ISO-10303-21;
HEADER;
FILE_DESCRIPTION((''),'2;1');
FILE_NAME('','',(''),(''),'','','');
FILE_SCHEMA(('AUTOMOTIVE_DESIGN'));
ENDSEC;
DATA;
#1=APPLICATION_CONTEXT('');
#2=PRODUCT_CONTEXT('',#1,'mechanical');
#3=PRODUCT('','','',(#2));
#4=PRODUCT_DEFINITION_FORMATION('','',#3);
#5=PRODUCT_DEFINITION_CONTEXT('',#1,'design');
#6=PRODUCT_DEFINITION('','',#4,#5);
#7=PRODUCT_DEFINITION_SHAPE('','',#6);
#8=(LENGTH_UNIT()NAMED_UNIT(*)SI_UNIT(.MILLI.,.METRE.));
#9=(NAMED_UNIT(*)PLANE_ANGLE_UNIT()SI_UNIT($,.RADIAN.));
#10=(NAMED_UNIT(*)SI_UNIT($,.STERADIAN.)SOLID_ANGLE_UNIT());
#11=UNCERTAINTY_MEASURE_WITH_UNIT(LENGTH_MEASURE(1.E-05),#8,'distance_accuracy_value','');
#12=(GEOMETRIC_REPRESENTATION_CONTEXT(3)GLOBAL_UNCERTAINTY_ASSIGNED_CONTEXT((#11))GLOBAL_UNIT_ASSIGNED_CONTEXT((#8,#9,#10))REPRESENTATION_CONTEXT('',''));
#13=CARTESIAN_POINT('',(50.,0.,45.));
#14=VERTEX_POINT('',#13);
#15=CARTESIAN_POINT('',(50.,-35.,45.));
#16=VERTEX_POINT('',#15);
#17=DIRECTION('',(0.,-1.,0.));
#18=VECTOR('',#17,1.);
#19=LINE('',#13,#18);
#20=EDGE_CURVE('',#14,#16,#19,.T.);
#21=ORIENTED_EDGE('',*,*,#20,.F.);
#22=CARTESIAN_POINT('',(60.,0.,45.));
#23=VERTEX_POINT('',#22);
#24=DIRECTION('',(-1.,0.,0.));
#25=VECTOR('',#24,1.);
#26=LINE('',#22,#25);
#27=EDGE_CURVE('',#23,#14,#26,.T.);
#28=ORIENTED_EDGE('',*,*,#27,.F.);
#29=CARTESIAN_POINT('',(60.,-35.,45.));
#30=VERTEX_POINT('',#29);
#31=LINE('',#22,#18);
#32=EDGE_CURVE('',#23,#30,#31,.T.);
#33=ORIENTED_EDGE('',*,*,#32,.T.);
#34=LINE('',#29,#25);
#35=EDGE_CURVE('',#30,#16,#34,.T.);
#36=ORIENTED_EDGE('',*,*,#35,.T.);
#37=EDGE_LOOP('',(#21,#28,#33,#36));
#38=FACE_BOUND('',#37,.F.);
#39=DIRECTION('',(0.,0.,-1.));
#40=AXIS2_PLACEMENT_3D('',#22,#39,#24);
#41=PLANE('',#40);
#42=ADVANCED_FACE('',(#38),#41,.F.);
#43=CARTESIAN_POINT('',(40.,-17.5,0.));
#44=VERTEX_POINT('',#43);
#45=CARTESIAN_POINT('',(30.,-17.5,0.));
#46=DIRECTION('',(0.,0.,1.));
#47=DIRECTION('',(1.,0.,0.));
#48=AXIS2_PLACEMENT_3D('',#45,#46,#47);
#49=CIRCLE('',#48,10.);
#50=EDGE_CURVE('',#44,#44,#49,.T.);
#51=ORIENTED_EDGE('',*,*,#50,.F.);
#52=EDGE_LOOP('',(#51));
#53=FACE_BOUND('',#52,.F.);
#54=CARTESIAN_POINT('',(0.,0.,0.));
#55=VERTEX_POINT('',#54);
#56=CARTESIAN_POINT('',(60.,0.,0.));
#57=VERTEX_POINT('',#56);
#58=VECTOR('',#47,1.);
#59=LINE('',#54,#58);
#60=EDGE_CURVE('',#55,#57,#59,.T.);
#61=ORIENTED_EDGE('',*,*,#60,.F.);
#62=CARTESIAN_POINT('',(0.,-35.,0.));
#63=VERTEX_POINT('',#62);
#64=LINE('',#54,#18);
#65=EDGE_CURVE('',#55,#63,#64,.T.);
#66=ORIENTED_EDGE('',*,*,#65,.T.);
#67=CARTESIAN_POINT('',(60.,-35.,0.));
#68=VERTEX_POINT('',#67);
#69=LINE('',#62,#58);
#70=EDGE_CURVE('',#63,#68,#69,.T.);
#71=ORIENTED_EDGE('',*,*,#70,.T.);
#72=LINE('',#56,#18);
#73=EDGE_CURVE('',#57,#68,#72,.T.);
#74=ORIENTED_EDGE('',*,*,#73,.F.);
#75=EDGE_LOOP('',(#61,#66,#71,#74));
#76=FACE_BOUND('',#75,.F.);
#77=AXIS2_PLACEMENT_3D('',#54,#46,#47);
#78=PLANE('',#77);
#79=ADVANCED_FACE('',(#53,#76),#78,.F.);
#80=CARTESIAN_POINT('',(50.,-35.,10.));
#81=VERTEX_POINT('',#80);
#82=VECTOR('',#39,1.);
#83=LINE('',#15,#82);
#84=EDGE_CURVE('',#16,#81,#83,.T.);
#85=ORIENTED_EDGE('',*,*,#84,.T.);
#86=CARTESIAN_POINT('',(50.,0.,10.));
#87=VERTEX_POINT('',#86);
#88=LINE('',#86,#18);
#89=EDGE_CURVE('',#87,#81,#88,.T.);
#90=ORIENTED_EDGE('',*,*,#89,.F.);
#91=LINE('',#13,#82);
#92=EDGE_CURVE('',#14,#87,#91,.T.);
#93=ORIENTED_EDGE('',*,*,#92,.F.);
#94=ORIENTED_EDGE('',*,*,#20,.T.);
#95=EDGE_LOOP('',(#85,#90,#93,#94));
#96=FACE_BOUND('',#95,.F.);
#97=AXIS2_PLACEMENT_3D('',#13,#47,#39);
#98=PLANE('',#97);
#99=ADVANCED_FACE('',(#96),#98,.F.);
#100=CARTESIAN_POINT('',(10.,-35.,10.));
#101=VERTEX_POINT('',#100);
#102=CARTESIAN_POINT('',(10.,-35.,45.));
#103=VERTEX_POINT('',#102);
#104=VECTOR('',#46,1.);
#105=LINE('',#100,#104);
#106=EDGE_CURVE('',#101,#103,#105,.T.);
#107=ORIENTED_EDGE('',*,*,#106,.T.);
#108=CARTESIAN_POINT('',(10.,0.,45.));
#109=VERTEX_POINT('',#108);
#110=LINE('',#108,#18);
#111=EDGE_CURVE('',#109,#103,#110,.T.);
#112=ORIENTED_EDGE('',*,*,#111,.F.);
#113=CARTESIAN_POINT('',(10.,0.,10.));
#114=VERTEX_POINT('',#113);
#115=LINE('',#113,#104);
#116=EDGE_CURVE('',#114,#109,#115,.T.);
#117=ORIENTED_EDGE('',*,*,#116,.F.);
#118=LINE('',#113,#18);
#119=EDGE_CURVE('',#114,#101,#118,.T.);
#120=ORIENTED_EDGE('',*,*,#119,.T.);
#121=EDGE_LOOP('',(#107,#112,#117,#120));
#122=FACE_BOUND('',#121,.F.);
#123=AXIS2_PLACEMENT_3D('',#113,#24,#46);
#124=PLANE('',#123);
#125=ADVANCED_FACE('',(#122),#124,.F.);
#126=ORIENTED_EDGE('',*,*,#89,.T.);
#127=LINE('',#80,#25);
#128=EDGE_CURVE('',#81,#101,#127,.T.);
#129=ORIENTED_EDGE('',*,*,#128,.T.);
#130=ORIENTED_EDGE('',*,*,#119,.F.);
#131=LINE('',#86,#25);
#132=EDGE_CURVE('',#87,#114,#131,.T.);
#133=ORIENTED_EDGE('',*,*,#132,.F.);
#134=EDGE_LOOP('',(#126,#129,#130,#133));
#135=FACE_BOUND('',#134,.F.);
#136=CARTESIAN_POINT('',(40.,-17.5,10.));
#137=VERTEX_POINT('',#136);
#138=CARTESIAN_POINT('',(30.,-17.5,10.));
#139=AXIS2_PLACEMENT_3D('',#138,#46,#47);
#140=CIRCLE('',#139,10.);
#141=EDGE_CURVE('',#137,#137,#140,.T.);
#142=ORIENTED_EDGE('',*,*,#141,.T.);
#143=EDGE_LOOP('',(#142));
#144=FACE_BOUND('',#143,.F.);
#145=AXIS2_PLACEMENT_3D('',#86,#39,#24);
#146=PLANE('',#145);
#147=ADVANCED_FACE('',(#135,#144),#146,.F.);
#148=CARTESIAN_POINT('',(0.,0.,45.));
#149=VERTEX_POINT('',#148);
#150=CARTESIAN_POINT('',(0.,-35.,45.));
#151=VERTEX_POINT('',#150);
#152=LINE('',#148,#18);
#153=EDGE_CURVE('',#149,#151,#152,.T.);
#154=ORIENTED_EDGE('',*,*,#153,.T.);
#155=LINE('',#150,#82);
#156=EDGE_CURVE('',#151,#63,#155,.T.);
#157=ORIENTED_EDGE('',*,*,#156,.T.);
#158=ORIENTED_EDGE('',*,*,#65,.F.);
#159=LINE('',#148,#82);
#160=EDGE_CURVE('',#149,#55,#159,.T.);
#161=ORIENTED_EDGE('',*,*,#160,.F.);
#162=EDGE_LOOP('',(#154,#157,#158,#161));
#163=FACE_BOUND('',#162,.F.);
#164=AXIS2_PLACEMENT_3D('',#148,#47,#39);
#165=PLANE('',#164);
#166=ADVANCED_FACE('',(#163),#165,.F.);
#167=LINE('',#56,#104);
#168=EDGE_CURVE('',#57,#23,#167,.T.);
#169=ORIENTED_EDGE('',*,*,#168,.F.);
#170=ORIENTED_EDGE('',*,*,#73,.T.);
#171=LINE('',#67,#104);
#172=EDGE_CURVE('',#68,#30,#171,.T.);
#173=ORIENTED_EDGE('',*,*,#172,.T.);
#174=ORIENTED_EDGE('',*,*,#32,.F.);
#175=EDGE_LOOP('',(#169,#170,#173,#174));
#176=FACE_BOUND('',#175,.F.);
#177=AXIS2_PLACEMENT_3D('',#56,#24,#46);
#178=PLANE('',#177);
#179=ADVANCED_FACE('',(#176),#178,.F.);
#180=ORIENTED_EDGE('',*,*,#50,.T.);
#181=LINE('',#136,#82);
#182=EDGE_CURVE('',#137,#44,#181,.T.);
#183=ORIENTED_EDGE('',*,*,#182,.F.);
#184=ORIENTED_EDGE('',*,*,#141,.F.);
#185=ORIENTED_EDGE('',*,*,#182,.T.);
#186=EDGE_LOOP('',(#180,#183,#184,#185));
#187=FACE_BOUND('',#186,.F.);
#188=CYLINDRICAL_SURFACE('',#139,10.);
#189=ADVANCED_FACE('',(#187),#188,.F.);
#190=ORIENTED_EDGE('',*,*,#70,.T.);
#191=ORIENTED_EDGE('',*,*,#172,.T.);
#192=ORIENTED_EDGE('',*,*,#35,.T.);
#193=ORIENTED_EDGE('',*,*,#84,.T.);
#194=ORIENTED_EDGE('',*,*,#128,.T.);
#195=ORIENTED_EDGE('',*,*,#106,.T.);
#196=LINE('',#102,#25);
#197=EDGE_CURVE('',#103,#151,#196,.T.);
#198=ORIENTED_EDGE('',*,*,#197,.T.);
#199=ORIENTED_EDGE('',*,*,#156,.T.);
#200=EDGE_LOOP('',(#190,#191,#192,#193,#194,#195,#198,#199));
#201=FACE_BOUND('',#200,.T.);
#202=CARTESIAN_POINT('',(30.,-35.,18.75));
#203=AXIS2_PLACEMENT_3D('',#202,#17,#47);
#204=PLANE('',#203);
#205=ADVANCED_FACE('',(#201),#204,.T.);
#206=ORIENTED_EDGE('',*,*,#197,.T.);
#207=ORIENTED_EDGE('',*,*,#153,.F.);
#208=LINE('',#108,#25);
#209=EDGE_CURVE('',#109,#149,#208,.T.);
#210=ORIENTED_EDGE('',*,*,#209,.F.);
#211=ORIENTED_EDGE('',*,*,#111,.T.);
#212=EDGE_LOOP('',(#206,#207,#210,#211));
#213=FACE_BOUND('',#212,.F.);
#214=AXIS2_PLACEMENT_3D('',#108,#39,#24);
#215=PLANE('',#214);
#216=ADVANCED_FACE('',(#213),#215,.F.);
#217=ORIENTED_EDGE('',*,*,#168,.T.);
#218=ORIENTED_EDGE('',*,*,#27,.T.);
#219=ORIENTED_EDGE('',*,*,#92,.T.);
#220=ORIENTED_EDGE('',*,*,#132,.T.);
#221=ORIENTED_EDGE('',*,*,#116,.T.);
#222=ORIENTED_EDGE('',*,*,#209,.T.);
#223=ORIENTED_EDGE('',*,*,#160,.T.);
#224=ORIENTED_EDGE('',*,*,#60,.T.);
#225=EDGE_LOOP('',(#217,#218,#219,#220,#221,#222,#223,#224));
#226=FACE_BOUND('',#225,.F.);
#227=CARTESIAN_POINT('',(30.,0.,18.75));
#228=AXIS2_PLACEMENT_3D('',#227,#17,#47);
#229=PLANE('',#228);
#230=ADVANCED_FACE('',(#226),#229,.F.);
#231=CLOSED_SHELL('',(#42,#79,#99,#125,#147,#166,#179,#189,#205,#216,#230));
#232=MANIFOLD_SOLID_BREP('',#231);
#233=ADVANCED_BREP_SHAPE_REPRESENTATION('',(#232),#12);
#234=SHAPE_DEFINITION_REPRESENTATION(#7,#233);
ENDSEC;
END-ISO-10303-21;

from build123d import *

# Parameters (mm, degrees)
F1_DEPTH = 35
F2_R     = 10
F3_DEPTH = 10.001


with BuildPart() as f1:
    # F0 (on Front) → F1 (new body)
    with BuildSketch(Plane.XZ):
        Polygon((0, 45), (0, 0), (60, 0), (60, 45), (50, 45), (50, 10), (10, 10), (10, 45), align=None)
    extrude(amount=F1_DEPTH)

    # F2 (on face) → F3 (cut, through all)
    with BuildSketch(Plane.XY.offset(10)):
        with Locations((30, -17.5)):
            Circle(F2_R)
    extrude(amount=-F3_DEPTH, mode=Mode.SUBTRACT)


solid = f1.part
